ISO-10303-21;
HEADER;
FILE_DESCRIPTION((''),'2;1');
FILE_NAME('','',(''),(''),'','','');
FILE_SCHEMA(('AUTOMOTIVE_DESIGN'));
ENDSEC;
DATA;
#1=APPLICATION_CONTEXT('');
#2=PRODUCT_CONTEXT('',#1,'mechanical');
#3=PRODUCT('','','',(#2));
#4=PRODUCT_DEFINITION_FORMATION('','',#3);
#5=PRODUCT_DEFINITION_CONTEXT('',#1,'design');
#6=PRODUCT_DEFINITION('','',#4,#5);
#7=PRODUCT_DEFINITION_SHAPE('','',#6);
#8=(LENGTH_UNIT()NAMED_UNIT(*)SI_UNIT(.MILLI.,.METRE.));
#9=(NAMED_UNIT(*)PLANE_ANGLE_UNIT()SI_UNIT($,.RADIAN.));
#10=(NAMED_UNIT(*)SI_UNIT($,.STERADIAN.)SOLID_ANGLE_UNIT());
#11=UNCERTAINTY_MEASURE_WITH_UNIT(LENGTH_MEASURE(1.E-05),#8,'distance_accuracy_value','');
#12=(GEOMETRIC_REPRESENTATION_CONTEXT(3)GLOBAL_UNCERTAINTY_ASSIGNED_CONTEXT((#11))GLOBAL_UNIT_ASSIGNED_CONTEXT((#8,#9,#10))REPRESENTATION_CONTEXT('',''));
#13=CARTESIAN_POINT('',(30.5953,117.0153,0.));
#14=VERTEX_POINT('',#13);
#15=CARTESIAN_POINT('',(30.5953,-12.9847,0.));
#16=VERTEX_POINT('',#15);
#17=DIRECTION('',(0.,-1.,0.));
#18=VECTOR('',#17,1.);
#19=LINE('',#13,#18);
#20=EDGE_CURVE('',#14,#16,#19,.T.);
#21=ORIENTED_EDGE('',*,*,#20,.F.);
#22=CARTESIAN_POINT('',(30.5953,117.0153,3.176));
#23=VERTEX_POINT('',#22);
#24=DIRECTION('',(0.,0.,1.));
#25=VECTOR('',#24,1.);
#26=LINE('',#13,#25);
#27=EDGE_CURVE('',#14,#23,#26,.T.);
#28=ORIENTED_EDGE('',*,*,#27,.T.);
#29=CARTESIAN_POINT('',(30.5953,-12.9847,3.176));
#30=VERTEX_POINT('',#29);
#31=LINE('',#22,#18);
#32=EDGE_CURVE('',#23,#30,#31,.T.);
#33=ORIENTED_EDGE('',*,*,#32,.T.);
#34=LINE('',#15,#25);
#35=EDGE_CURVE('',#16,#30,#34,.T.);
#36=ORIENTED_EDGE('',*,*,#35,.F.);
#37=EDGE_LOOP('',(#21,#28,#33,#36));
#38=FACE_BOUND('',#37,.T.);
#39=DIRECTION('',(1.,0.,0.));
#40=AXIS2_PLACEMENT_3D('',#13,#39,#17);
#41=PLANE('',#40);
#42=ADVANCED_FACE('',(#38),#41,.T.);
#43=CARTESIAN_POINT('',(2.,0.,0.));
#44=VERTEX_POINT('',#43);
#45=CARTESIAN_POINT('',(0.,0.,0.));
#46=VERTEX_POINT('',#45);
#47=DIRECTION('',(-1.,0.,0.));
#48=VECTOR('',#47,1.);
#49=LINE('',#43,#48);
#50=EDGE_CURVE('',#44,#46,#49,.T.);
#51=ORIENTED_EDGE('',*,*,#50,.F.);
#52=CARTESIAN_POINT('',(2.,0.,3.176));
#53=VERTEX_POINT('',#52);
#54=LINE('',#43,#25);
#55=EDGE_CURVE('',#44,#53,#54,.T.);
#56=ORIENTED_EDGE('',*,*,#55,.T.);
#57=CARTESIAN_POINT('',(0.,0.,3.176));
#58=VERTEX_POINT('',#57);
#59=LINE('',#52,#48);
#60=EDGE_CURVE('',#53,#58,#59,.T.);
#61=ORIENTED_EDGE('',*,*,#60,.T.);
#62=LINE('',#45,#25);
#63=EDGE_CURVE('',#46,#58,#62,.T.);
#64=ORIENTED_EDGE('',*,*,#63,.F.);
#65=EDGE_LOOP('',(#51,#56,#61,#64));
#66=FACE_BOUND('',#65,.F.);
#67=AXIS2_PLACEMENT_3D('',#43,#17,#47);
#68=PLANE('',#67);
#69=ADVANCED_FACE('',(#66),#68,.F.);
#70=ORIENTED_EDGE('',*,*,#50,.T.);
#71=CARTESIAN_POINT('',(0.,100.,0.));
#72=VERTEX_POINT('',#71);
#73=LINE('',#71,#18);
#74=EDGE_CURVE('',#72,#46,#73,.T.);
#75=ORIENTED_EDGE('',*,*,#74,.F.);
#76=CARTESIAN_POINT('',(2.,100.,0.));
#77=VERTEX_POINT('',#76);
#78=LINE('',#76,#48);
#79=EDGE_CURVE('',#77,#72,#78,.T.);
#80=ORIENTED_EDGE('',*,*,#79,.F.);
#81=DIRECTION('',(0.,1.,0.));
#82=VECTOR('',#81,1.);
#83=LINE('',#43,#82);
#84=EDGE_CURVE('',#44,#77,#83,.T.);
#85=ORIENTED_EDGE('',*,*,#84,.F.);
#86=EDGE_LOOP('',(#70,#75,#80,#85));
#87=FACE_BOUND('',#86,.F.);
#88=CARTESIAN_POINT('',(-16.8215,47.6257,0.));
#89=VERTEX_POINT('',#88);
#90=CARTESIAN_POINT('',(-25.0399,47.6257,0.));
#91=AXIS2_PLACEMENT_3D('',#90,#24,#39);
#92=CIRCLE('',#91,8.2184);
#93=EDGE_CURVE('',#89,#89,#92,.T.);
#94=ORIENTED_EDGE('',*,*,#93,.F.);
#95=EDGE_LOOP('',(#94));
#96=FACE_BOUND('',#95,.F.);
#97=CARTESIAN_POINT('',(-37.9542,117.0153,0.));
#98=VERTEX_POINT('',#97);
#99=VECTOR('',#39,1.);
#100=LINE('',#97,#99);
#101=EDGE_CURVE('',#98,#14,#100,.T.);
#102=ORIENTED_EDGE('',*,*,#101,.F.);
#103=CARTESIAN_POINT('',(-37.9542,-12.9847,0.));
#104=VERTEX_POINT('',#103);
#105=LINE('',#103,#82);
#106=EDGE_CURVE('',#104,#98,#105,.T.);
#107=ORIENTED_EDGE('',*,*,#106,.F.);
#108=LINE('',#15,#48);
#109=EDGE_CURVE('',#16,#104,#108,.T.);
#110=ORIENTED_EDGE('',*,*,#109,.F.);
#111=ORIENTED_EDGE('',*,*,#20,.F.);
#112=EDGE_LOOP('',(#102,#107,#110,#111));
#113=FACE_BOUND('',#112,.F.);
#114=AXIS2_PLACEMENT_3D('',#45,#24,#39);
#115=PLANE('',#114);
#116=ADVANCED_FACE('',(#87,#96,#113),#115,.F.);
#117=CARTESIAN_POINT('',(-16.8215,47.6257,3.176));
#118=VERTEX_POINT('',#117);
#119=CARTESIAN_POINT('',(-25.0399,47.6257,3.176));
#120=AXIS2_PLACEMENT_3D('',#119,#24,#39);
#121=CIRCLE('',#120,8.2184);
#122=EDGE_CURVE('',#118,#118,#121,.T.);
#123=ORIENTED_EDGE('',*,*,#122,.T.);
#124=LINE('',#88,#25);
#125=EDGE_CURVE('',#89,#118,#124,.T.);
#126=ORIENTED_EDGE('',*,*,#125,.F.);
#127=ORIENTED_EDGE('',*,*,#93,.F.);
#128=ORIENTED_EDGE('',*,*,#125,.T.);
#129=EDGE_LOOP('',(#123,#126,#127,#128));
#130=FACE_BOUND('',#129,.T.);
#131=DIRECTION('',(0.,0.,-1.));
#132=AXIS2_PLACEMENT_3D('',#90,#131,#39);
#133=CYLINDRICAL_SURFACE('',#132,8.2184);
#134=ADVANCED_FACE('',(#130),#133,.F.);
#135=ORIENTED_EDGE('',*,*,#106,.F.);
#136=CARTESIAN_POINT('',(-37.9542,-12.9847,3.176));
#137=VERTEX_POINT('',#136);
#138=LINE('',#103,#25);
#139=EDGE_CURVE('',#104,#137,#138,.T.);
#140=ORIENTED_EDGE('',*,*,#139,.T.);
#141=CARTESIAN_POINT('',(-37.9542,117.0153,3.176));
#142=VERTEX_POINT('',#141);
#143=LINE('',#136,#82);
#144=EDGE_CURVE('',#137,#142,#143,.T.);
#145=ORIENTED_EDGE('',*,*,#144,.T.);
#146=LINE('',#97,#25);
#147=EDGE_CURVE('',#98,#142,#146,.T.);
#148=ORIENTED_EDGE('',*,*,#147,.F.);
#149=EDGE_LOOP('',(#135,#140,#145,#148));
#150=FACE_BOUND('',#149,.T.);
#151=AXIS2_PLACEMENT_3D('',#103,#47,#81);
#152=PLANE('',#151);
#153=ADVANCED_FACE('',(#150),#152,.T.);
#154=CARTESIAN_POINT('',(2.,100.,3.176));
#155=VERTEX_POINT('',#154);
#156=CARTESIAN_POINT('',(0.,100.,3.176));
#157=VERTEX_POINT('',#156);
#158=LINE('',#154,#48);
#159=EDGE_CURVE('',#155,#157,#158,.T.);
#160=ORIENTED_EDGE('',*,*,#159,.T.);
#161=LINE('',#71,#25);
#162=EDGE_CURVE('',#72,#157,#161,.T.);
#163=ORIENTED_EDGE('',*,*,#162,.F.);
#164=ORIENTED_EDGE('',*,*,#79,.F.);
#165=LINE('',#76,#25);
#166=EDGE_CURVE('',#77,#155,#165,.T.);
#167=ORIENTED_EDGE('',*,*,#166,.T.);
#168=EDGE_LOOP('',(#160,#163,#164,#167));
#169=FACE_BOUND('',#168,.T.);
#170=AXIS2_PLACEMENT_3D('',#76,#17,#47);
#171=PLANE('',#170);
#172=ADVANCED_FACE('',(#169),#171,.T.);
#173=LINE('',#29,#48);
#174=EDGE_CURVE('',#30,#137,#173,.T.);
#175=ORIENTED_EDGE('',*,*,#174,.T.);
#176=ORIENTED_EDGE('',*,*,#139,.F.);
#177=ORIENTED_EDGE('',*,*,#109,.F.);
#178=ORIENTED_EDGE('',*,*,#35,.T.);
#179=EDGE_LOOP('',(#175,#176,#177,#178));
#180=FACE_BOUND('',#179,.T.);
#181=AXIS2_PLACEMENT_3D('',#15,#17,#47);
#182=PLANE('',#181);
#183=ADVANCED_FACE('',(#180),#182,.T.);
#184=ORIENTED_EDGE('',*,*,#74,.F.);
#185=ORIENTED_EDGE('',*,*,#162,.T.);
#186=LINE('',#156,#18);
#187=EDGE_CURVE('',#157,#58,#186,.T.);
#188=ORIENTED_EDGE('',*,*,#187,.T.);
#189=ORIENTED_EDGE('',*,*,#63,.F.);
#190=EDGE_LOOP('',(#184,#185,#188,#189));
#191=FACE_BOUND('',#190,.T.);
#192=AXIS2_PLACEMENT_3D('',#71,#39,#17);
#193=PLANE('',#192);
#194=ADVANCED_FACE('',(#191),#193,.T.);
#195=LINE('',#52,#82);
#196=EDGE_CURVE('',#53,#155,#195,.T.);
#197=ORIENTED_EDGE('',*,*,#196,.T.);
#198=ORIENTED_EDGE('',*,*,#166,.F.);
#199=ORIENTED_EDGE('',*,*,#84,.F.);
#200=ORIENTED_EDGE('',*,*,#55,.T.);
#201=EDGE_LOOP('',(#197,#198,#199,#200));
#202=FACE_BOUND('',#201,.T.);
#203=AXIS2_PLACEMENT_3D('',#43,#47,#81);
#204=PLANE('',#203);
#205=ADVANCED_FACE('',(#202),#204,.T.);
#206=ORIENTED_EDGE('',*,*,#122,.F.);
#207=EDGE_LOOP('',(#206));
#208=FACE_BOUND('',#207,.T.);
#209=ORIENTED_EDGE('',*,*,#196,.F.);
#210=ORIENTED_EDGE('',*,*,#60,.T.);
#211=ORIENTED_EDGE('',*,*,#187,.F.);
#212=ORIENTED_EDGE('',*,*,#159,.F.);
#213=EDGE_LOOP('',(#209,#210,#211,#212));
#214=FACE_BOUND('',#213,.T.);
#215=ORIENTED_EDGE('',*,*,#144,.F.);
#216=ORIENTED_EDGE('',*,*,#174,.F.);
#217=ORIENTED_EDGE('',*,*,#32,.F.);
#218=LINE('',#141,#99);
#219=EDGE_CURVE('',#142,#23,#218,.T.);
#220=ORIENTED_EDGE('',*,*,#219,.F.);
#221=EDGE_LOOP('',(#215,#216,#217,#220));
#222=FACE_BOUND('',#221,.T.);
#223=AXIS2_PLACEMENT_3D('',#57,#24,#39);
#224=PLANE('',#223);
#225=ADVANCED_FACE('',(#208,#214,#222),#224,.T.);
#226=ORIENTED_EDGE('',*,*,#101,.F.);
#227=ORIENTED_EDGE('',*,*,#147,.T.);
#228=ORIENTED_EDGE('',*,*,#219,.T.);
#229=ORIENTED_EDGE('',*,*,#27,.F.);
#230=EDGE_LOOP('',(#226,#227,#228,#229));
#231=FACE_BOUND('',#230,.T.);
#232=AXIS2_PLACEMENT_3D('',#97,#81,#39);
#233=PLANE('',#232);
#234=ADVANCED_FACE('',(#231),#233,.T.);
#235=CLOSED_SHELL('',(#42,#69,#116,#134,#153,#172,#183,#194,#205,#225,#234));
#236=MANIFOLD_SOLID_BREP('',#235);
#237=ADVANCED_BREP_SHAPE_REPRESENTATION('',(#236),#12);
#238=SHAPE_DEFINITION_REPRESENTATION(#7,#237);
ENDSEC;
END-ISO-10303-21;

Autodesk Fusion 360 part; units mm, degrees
sketch "Sketch1" plane through (0, 0, 0) normal (0, 0, 1) x (1, 0, 0)
  line L0 (0, 114) -> (2, 114)
  line L1 (2, 0) -> (0, 0)
  line L2 (30.5953, -12.9847) -> (-37.9542, -12.9847)
  line L3 (-37.9542, -12.9847) -> (-37.9542, 117.0153)
  line L4 (-37.9542, 117.0153) -> (30.5953, 117.0153)
  line L5 (30.5953, 117.0153) -> (30.5953, -12.9847)
  line L6 (0, 0) -> (2, 0)
  line L7 (2, 0) -> (2, 100)
  line L8 (2, 100) -> (0, 100)
  line L9 (0, 100) -> (0, 0)
  circle A0 centre (-25.0399, 47.6257) radius 8.2184
  dimension "d2" = 2
  dimension "d5" = 68.5495
  dimension "d8" = 2
  dimension "d9" = 100
  dimension "d10" = 130
  dimension "d19" = 16.4367
extrude "Extrude7" add sketch "Sketch1" along normal blind 3.176
